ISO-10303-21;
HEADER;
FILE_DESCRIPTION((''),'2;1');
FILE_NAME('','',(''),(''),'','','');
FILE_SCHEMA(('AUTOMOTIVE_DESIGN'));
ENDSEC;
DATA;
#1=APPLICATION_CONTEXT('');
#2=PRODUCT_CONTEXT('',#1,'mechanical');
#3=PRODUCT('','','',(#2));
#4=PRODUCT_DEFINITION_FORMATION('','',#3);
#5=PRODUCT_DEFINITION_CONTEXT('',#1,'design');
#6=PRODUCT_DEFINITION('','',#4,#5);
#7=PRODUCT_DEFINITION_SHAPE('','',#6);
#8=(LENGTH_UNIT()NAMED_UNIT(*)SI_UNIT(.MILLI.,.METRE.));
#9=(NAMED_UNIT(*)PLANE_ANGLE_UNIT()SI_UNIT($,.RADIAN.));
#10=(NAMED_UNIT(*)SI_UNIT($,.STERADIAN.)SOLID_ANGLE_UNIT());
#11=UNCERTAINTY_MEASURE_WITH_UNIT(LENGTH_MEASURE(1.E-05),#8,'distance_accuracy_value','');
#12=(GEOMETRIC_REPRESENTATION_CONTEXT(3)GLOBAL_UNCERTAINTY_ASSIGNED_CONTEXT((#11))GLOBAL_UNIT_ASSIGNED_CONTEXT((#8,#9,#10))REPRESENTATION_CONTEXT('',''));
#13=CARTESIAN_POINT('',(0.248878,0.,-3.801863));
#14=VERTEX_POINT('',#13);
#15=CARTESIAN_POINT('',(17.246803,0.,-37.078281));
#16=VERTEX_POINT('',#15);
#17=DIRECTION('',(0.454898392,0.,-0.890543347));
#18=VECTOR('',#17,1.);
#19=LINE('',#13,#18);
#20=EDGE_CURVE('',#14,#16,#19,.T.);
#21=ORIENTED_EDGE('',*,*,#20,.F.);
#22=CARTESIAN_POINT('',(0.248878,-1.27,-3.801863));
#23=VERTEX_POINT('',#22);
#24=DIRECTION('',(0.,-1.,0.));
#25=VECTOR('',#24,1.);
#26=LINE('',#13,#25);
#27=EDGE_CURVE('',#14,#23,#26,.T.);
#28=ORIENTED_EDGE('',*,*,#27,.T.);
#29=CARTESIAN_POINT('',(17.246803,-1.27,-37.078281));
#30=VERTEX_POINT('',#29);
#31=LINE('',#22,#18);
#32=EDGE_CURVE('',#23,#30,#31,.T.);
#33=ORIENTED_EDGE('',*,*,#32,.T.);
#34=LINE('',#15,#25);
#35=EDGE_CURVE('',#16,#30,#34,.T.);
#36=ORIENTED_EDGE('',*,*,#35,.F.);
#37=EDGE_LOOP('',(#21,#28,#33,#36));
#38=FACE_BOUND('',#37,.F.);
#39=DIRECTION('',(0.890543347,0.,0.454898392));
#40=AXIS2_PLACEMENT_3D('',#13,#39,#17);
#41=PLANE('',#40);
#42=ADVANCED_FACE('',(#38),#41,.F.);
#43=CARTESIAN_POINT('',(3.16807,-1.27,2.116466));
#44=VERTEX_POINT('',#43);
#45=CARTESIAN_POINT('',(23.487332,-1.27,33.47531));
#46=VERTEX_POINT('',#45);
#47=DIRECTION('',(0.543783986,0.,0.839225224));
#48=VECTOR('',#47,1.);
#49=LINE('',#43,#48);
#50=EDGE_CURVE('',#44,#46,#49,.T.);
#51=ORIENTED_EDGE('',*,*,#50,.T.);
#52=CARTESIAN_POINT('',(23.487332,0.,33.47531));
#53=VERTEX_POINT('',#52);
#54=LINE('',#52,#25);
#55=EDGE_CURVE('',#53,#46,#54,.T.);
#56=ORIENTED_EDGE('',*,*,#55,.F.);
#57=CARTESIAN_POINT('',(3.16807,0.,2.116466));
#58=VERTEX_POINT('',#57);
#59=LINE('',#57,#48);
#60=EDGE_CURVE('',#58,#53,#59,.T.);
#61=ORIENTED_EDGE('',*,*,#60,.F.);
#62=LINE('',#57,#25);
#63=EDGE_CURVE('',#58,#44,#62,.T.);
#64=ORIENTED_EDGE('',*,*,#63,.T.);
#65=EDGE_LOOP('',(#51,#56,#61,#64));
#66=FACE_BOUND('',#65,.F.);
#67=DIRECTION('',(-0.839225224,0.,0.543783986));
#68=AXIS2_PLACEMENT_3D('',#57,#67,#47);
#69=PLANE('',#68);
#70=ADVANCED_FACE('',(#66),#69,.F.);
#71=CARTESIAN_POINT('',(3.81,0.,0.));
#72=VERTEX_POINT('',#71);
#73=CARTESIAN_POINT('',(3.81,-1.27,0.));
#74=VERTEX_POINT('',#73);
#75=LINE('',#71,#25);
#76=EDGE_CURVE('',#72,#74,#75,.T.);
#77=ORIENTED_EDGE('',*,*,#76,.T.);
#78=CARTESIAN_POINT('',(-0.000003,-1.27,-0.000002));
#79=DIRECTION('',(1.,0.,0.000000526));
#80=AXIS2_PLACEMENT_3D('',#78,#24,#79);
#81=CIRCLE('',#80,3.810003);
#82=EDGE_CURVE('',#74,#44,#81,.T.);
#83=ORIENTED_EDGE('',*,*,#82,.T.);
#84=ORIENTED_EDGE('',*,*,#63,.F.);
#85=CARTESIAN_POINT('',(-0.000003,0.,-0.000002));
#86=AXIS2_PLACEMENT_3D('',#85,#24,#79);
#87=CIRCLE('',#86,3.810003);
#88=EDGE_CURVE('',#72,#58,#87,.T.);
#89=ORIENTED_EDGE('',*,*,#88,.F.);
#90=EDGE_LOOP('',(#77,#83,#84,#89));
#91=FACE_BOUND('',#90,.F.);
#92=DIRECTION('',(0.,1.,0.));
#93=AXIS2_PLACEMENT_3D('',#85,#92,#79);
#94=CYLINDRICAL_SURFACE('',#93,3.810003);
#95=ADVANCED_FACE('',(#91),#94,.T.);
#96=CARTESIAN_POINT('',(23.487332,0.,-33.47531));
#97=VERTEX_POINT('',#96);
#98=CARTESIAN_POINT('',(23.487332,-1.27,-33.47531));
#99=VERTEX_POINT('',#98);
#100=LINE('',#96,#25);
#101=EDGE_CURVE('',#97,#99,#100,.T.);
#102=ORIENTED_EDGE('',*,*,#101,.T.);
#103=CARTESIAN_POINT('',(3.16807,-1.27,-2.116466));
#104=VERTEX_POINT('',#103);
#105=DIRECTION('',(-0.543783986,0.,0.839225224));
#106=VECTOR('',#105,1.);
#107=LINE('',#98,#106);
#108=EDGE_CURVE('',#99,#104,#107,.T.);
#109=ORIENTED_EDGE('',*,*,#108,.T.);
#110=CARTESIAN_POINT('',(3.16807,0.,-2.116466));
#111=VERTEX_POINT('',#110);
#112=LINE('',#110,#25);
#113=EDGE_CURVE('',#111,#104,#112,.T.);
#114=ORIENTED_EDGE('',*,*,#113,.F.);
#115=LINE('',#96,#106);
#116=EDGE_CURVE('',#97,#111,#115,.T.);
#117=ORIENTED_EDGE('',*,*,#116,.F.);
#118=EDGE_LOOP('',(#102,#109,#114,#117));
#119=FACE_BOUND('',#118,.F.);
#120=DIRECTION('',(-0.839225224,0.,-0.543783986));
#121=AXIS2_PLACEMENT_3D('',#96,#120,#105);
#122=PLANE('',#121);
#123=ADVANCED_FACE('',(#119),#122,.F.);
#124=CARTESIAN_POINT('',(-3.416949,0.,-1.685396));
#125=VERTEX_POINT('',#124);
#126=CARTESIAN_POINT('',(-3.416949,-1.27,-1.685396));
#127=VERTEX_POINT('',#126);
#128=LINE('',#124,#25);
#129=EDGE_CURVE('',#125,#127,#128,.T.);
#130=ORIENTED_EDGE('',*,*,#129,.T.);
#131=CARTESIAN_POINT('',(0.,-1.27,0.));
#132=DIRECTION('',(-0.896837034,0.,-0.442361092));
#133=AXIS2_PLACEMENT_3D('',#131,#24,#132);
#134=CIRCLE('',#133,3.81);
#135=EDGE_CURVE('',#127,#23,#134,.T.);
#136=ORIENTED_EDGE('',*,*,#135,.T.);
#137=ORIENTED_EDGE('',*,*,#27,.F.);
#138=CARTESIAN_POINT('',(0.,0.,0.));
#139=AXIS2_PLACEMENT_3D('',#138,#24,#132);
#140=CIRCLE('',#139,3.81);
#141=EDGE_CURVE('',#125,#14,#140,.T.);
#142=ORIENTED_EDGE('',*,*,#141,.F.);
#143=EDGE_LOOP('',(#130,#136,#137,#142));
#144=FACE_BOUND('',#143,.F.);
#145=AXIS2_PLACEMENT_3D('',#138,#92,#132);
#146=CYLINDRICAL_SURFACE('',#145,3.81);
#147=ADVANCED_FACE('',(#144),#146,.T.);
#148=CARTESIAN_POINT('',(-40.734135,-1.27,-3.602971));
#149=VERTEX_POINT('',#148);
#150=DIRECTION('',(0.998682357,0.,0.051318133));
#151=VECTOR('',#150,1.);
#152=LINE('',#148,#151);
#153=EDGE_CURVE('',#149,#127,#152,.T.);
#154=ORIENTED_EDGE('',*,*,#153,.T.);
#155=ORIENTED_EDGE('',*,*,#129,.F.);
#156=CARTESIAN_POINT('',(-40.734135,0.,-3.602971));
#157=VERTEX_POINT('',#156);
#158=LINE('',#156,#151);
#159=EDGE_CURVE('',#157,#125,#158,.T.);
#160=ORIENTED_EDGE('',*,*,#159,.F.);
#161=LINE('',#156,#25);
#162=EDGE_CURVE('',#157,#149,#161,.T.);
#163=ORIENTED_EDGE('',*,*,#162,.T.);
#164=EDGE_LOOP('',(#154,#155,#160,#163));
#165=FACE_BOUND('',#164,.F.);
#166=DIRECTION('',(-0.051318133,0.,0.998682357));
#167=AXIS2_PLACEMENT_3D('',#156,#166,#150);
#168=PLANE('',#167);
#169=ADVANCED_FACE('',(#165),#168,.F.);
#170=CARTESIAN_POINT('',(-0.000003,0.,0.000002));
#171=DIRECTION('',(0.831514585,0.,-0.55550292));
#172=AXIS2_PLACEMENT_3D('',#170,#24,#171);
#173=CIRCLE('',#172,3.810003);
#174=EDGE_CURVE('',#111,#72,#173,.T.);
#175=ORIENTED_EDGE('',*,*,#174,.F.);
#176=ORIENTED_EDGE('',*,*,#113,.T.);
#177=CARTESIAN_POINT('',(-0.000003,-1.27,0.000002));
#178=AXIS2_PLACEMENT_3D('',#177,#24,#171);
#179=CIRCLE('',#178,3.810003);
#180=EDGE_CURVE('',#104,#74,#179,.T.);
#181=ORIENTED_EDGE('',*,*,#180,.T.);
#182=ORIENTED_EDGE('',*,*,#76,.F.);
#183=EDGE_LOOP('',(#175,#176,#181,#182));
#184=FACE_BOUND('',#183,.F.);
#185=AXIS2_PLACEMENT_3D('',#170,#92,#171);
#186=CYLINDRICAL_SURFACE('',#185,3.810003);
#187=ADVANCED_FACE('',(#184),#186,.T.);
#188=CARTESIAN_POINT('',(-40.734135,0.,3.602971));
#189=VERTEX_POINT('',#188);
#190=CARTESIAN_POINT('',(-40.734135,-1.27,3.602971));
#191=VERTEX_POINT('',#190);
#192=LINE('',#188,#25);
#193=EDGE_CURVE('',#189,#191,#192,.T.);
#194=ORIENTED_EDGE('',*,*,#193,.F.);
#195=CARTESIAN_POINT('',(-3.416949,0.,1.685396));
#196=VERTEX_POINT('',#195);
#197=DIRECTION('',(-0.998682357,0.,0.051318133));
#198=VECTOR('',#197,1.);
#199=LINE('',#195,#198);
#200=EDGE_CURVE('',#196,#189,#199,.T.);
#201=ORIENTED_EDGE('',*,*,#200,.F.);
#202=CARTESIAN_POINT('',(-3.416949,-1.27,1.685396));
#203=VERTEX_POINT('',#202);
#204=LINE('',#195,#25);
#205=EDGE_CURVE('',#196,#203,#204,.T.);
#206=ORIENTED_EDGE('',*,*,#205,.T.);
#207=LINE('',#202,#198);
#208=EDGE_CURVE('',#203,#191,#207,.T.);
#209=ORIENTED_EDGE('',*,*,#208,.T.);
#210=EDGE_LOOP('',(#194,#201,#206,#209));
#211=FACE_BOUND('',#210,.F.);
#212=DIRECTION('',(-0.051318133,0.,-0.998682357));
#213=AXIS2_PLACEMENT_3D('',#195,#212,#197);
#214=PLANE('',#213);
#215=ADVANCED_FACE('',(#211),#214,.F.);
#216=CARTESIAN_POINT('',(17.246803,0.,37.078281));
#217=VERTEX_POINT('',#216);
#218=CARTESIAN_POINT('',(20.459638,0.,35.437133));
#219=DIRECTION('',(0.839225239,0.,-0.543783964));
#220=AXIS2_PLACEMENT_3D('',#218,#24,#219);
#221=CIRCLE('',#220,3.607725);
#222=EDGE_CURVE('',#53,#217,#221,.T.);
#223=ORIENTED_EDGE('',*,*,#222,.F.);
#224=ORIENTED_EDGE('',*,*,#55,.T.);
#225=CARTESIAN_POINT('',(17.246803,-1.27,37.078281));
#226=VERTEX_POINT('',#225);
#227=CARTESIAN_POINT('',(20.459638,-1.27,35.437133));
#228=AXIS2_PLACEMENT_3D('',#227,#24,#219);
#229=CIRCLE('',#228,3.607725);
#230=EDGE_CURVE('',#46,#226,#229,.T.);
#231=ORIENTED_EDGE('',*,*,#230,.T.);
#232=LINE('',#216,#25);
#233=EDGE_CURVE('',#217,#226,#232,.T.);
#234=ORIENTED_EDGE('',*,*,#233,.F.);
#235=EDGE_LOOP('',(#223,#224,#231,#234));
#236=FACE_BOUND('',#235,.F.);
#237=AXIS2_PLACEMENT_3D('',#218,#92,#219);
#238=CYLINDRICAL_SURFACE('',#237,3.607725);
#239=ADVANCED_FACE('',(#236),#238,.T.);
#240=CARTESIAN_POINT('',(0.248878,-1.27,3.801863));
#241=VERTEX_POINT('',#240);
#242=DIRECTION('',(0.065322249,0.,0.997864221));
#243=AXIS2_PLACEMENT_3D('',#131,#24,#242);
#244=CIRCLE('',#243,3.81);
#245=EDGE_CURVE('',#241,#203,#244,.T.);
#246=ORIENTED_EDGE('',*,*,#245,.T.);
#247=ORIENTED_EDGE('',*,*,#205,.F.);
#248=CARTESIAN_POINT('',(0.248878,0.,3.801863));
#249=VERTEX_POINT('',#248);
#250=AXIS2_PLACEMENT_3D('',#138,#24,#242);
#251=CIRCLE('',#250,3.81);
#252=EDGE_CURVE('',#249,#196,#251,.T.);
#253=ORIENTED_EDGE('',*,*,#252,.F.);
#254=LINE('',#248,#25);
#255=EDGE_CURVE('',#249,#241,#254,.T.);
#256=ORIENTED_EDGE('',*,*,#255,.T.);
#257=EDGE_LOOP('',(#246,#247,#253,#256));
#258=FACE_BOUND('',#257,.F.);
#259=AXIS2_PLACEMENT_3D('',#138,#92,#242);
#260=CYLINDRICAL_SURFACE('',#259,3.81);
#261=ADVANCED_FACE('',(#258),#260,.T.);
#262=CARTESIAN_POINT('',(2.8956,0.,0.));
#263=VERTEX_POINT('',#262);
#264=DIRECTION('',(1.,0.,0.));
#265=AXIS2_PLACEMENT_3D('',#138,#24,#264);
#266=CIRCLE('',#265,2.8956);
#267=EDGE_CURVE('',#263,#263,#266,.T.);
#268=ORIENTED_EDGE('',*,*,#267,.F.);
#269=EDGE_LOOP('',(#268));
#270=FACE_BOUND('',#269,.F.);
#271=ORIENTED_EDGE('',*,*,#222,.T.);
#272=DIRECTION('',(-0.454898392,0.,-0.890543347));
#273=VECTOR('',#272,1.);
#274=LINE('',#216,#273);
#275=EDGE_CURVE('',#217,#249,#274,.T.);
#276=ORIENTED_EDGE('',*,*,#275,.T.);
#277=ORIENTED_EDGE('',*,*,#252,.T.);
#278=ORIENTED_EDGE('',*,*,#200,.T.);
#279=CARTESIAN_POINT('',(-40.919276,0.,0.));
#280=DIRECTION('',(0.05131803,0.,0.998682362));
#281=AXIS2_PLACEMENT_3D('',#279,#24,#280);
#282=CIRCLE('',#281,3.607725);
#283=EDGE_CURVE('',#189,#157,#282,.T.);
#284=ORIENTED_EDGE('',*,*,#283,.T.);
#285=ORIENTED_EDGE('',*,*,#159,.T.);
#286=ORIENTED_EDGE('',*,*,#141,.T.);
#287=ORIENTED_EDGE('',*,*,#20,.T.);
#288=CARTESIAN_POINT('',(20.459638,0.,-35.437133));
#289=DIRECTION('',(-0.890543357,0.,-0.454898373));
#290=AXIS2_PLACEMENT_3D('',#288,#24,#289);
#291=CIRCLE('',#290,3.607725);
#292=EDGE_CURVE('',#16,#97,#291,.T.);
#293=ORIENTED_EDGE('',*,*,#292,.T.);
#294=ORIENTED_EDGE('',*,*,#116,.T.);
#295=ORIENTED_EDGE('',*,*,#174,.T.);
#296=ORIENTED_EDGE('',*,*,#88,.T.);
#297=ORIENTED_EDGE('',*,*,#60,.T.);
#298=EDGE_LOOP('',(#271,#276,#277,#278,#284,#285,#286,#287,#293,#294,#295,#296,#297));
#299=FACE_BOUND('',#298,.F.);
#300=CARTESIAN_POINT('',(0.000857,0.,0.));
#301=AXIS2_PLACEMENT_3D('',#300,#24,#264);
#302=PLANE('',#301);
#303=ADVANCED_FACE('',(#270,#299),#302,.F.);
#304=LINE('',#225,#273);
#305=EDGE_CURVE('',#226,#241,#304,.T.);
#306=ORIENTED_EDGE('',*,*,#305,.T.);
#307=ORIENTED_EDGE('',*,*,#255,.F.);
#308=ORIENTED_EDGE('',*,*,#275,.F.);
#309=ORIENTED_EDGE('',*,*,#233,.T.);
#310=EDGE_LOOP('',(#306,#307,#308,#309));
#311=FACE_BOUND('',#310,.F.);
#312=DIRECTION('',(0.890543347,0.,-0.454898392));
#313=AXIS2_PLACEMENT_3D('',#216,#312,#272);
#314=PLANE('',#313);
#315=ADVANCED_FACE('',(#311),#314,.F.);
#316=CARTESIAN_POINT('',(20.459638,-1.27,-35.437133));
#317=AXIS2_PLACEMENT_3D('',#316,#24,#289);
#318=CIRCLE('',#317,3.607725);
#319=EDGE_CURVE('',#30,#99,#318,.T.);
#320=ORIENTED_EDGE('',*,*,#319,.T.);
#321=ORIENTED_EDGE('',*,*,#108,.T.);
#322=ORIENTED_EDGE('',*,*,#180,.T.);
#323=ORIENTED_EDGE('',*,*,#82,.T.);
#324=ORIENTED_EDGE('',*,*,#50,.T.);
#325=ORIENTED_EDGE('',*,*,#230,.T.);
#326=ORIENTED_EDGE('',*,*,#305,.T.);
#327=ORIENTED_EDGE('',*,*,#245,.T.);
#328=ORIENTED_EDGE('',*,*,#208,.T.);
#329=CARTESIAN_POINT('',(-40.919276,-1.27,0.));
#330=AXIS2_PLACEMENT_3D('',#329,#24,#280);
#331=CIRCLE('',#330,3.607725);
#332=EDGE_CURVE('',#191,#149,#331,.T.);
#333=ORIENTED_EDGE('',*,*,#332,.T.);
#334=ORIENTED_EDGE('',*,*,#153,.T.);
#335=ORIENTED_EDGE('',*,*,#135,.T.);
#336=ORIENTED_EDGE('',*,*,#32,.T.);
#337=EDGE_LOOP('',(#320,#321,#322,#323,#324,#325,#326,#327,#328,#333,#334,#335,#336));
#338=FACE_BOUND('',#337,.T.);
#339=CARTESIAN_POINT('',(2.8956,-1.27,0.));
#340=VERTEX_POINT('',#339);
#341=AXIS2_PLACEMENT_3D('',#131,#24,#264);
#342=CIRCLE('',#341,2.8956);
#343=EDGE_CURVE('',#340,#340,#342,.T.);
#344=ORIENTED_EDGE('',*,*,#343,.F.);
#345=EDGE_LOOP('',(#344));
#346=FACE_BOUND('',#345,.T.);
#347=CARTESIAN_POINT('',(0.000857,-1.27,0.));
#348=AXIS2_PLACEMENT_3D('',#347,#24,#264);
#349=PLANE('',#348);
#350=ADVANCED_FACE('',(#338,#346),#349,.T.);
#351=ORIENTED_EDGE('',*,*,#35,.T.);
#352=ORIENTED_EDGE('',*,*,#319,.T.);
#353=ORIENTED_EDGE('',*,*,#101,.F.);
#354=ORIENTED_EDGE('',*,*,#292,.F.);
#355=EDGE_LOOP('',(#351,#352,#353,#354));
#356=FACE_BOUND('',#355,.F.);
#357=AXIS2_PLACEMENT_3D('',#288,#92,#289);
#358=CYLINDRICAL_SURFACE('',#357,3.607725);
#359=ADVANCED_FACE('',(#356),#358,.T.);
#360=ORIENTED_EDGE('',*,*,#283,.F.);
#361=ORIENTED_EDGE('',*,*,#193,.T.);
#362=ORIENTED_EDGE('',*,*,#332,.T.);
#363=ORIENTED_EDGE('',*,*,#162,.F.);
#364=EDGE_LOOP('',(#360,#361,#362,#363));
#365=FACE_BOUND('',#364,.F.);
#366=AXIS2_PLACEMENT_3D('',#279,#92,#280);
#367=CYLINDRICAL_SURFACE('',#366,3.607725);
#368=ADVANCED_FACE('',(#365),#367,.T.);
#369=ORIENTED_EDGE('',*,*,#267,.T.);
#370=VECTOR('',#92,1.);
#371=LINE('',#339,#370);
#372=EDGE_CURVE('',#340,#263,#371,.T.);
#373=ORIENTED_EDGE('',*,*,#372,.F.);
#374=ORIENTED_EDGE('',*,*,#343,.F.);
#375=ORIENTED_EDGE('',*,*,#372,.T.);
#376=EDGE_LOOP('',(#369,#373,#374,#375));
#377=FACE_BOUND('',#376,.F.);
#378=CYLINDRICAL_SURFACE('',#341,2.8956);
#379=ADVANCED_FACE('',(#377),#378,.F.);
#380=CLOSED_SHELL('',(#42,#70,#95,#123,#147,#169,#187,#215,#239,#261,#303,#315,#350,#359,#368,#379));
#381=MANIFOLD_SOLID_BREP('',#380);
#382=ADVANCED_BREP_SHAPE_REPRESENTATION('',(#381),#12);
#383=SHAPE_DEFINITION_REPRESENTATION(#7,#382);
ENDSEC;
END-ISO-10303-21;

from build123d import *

# Parameters (mm, degrees)
F1_DEPTH = 1.27
F2_R     = 2.8956
F3_DEPTH = 25.4


with BuildPart() as f1:
    # F0 (on Front) → F1 (new body)
    with BuildSketch(Plane.XZ):
        with BuildLine():
            ThreePointArc((3.16807, -2.116466), (3.645987, -1.105837), (3.81, 0))
            ThreePointArc((3.81, 0), (3.645987, 1.105837), (3.16807, 2.116466))
            Line((3.16807, 2.116466), (23.487332, 33.47531))
            ThreePointArc((23.487332, 33.47531), (22.263501, 38.561514), (17.246803, 37.078281))
            Line((17.246803, 37.078281), (0.248878, 3.801863))
            ThreePointArc((0.248878, 3.801863), (-1.905, 3.299557), (-3.416949, 1.685396))
            Line((-3.416949, 1.685396), (-40.734135, 3.602971))
            ThreePointArc((-40.734135, 3.602971), (-44.527001, 0), (-40.734135, -3.602971))
            Line((-40.734135, -3.602971), (-3.416949, -1.685396))
            ThreePointArc((-3.416949, -1.685396), (-1.905, -3.299557), (0.248878, -3.801863))
            Line((0.248878, -3.801863), (17.246803, -37.078281))
            ThreePointArc((17.246803, -37.078281), (22.263501, -38.561514), (23.487332, -33.47531))
            Line((23.487332, -33.47531), (3.16807, -2.116466))
        make_face()
    extrude(amount=F1_DEPTH)

    # F2 (on face) → F3 (cut)
    with BuildSketch(Plane.XZ.offset(1.27)):
        Circle(F2_R)
    extrude(amount=-F3_DEPTH, mode=Mode.SUBTRACT)


solid = f1.part
